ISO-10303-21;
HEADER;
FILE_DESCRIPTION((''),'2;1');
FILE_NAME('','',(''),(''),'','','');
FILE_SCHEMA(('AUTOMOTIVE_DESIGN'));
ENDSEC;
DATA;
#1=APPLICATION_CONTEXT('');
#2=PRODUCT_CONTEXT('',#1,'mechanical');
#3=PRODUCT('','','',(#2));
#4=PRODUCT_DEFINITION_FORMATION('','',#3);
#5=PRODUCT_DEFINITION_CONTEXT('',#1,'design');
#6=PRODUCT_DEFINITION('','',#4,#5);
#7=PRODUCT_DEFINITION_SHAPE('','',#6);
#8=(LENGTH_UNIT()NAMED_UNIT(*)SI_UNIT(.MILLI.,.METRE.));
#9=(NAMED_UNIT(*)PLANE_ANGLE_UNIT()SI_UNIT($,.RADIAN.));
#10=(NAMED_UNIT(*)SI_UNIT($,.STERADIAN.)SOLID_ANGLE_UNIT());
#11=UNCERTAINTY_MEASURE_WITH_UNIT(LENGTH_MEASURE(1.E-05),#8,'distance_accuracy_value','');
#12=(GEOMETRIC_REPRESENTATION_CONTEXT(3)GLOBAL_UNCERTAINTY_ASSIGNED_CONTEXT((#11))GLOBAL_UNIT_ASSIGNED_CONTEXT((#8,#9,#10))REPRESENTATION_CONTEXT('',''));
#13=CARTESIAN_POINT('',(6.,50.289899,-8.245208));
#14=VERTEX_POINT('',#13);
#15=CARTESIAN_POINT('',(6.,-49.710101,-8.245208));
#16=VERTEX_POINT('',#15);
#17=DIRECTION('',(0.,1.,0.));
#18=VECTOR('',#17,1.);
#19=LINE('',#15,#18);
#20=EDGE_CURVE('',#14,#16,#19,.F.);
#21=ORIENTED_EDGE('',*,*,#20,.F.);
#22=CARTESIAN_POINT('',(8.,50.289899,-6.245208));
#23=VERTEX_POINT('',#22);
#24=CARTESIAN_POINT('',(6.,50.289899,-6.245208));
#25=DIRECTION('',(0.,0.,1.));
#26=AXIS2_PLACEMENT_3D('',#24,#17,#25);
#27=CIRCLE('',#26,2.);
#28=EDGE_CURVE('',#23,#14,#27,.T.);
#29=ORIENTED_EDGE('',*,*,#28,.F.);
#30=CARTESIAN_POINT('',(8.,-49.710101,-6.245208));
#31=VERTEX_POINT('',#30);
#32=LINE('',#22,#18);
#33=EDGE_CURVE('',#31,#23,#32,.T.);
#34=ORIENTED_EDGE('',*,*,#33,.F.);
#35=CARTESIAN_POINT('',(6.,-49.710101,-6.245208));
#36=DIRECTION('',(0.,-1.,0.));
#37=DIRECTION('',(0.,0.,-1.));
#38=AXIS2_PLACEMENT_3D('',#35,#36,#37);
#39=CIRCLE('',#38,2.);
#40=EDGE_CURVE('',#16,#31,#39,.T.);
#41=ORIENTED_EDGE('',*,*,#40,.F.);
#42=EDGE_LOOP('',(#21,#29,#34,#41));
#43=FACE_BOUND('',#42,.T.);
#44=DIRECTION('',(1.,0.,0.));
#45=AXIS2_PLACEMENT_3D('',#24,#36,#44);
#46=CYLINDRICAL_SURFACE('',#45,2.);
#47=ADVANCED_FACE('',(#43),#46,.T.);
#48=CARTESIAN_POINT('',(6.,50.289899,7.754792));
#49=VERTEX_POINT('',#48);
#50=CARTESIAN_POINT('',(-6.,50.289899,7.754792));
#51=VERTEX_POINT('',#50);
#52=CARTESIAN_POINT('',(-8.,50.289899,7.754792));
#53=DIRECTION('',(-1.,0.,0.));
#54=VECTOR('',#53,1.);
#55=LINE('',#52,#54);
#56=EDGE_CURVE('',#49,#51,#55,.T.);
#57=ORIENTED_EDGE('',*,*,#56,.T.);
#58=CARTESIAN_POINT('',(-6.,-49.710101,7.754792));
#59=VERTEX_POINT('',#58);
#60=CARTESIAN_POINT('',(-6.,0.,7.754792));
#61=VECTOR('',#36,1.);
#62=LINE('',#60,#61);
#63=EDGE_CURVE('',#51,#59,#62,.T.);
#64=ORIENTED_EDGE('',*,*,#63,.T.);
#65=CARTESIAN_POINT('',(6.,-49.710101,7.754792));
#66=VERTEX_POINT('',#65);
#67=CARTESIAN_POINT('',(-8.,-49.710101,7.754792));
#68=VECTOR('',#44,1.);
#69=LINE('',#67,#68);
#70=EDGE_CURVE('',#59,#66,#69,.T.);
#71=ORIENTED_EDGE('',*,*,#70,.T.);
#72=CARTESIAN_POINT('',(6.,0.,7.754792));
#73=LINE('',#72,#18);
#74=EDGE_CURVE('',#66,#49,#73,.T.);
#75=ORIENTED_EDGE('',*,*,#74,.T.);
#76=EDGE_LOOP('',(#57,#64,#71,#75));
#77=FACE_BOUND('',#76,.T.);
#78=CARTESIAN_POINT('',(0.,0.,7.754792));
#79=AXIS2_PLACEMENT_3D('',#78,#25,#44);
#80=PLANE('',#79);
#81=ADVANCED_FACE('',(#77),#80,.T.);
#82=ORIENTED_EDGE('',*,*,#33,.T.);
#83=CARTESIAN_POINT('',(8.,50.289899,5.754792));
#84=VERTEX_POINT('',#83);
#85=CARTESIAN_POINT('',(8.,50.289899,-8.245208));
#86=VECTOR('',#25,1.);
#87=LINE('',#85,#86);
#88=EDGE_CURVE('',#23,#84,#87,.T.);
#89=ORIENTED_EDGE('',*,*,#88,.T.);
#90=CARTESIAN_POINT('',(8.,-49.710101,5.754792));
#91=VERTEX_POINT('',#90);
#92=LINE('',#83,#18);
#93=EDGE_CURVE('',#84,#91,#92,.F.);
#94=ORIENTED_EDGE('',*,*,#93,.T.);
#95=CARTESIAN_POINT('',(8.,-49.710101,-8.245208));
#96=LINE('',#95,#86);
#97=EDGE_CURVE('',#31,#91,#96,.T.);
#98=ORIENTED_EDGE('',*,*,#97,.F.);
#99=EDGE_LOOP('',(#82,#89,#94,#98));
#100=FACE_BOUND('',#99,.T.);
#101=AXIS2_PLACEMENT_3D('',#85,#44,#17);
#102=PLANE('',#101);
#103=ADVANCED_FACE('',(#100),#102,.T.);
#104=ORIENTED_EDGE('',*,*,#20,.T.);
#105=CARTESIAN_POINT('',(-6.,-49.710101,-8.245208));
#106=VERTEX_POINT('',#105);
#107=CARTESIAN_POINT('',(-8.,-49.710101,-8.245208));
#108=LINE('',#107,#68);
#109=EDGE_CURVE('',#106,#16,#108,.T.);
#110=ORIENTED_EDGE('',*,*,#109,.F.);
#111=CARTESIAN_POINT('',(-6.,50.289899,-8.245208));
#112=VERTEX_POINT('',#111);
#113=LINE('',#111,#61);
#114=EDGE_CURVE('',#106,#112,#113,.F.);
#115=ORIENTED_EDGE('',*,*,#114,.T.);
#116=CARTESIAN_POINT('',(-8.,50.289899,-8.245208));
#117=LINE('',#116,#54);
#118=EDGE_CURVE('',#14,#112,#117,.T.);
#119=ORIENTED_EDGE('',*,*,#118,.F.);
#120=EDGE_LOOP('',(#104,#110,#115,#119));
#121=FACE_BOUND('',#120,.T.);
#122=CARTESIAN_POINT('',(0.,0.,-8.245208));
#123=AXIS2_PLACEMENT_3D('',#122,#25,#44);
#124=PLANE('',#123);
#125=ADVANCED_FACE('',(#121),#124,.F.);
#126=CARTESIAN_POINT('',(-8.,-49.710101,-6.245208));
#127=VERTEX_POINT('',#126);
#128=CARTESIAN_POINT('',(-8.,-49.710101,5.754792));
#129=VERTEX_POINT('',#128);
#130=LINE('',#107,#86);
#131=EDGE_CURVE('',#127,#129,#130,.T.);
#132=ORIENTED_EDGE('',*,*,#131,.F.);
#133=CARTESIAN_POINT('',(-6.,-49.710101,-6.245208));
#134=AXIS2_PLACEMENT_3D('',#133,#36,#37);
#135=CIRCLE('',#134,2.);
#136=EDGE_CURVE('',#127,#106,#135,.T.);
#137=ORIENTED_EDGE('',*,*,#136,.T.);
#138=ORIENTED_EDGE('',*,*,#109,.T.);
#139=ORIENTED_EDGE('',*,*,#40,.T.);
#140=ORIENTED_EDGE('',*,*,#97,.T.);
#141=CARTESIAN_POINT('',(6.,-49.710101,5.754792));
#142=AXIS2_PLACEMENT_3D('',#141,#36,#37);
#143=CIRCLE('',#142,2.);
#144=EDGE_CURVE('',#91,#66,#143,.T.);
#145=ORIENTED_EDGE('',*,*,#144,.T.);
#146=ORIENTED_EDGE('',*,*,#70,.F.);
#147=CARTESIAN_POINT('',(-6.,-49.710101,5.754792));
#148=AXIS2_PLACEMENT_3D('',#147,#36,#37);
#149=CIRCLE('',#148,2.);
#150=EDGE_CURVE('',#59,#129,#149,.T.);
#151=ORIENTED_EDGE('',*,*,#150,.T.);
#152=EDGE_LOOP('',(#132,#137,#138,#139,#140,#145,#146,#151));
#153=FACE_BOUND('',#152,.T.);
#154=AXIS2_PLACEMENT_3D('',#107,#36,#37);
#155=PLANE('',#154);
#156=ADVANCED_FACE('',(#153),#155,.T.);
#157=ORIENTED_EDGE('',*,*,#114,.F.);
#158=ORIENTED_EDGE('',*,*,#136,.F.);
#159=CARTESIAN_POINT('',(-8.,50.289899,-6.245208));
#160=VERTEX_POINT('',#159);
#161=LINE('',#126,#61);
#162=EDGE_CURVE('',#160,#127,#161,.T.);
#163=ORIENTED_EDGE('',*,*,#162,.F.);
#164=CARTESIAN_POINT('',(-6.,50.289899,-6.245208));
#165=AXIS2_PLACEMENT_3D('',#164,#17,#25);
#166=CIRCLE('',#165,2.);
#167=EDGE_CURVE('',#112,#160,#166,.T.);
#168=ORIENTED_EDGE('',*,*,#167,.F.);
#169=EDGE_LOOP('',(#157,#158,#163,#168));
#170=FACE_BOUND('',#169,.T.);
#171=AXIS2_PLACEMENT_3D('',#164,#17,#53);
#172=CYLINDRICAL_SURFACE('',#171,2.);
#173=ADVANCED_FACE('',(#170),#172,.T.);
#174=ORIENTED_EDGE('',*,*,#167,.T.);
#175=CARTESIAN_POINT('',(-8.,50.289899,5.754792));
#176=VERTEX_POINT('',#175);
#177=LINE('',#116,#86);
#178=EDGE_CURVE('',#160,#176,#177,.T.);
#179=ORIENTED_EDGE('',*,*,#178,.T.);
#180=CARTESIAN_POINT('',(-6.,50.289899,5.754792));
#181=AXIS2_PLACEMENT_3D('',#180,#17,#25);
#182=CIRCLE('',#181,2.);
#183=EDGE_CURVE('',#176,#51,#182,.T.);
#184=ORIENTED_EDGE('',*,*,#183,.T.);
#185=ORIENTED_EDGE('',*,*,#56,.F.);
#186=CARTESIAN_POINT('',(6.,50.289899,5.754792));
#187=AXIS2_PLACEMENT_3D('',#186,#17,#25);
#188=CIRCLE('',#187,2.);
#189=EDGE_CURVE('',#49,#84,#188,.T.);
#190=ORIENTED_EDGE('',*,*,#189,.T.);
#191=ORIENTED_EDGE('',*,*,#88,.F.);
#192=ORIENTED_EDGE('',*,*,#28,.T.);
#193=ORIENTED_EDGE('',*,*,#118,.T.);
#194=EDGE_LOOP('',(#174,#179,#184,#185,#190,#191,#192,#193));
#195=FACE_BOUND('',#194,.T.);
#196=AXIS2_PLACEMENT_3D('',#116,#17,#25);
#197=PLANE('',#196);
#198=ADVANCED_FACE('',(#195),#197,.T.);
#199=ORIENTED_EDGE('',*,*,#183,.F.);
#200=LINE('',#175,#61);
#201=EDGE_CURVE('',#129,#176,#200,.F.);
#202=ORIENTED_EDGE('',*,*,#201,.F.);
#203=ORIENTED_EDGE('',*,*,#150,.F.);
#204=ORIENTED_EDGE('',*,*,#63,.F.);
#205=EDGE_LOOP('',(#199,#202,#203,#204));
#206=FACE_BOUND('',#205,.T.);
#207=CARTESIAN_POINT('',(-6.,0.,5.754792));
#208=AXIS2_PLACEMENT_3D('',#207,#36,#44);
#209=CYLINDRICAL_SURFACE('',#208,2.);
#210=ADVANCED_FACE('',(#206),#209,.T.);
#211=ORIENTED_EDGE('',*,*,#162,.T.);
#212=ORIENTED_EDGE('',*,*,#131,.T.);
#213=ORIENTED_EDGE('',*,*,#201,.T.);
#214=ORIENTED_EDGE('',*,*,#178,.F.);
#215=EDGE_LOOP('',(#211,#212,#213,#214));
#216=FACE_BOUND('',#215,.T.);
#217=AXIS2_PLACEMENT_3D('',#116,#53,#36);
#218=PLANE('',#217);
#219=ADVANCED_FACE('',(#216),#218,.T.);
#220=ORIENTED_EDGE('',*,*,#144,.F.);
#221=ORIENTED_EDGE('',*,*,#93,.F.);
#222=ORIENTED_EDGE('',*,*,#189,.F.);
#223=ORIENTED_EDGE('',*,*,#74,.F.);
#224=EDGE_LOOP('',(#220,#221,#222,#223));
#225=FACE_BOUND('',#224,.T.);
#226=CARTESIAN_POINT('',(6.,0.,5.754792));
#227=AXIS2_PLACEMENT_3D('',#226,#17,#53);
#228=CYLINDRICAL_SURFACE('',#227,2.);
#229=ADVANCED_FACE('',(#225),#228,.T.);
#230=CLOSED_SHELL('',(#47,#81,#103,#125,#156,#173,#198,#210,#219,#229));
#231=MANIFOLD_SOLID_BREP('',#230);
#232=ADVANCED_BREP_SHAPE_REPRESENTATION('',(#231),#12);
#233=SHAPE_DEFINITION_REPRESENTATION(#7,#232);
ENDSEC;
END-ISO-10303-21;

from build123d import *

# Parameters (mm, degrees)
SKETCH2_W           = 16
SKETCH2_H           = 100
BOSS_EXTRUDE1_DEPTH = 16
FILLET1_R           = 2


with BuildPart() as part:
    # Sketch2 → Boss-Extrude1 (new body)
    with BuildSketch(Plane(origin=(0, 0.289898766, 7.754792002), x_dir=(1, 0, 0), z_dir=(0, 0, 1))):
        Rectangle(SKETCH2_W, SKETCH2_H)
    extrude(amount=-BOSS_EXTRUDE1_DEPTH)

    # Fillet1
    fillet1_edges = [part.edges().sort_by_distance(p)[0] for p in [
        (8, 0.289898766, -8.245207998),
        (-8, 0.289898766, -8.245207998),
        (8, 0.289898766, 7.754792002),
        (-8, 0.289898766, 7.754792002),
    ]]
    fillet(fillet1_edges, radius=FILLET1_R)


solid = part.part
